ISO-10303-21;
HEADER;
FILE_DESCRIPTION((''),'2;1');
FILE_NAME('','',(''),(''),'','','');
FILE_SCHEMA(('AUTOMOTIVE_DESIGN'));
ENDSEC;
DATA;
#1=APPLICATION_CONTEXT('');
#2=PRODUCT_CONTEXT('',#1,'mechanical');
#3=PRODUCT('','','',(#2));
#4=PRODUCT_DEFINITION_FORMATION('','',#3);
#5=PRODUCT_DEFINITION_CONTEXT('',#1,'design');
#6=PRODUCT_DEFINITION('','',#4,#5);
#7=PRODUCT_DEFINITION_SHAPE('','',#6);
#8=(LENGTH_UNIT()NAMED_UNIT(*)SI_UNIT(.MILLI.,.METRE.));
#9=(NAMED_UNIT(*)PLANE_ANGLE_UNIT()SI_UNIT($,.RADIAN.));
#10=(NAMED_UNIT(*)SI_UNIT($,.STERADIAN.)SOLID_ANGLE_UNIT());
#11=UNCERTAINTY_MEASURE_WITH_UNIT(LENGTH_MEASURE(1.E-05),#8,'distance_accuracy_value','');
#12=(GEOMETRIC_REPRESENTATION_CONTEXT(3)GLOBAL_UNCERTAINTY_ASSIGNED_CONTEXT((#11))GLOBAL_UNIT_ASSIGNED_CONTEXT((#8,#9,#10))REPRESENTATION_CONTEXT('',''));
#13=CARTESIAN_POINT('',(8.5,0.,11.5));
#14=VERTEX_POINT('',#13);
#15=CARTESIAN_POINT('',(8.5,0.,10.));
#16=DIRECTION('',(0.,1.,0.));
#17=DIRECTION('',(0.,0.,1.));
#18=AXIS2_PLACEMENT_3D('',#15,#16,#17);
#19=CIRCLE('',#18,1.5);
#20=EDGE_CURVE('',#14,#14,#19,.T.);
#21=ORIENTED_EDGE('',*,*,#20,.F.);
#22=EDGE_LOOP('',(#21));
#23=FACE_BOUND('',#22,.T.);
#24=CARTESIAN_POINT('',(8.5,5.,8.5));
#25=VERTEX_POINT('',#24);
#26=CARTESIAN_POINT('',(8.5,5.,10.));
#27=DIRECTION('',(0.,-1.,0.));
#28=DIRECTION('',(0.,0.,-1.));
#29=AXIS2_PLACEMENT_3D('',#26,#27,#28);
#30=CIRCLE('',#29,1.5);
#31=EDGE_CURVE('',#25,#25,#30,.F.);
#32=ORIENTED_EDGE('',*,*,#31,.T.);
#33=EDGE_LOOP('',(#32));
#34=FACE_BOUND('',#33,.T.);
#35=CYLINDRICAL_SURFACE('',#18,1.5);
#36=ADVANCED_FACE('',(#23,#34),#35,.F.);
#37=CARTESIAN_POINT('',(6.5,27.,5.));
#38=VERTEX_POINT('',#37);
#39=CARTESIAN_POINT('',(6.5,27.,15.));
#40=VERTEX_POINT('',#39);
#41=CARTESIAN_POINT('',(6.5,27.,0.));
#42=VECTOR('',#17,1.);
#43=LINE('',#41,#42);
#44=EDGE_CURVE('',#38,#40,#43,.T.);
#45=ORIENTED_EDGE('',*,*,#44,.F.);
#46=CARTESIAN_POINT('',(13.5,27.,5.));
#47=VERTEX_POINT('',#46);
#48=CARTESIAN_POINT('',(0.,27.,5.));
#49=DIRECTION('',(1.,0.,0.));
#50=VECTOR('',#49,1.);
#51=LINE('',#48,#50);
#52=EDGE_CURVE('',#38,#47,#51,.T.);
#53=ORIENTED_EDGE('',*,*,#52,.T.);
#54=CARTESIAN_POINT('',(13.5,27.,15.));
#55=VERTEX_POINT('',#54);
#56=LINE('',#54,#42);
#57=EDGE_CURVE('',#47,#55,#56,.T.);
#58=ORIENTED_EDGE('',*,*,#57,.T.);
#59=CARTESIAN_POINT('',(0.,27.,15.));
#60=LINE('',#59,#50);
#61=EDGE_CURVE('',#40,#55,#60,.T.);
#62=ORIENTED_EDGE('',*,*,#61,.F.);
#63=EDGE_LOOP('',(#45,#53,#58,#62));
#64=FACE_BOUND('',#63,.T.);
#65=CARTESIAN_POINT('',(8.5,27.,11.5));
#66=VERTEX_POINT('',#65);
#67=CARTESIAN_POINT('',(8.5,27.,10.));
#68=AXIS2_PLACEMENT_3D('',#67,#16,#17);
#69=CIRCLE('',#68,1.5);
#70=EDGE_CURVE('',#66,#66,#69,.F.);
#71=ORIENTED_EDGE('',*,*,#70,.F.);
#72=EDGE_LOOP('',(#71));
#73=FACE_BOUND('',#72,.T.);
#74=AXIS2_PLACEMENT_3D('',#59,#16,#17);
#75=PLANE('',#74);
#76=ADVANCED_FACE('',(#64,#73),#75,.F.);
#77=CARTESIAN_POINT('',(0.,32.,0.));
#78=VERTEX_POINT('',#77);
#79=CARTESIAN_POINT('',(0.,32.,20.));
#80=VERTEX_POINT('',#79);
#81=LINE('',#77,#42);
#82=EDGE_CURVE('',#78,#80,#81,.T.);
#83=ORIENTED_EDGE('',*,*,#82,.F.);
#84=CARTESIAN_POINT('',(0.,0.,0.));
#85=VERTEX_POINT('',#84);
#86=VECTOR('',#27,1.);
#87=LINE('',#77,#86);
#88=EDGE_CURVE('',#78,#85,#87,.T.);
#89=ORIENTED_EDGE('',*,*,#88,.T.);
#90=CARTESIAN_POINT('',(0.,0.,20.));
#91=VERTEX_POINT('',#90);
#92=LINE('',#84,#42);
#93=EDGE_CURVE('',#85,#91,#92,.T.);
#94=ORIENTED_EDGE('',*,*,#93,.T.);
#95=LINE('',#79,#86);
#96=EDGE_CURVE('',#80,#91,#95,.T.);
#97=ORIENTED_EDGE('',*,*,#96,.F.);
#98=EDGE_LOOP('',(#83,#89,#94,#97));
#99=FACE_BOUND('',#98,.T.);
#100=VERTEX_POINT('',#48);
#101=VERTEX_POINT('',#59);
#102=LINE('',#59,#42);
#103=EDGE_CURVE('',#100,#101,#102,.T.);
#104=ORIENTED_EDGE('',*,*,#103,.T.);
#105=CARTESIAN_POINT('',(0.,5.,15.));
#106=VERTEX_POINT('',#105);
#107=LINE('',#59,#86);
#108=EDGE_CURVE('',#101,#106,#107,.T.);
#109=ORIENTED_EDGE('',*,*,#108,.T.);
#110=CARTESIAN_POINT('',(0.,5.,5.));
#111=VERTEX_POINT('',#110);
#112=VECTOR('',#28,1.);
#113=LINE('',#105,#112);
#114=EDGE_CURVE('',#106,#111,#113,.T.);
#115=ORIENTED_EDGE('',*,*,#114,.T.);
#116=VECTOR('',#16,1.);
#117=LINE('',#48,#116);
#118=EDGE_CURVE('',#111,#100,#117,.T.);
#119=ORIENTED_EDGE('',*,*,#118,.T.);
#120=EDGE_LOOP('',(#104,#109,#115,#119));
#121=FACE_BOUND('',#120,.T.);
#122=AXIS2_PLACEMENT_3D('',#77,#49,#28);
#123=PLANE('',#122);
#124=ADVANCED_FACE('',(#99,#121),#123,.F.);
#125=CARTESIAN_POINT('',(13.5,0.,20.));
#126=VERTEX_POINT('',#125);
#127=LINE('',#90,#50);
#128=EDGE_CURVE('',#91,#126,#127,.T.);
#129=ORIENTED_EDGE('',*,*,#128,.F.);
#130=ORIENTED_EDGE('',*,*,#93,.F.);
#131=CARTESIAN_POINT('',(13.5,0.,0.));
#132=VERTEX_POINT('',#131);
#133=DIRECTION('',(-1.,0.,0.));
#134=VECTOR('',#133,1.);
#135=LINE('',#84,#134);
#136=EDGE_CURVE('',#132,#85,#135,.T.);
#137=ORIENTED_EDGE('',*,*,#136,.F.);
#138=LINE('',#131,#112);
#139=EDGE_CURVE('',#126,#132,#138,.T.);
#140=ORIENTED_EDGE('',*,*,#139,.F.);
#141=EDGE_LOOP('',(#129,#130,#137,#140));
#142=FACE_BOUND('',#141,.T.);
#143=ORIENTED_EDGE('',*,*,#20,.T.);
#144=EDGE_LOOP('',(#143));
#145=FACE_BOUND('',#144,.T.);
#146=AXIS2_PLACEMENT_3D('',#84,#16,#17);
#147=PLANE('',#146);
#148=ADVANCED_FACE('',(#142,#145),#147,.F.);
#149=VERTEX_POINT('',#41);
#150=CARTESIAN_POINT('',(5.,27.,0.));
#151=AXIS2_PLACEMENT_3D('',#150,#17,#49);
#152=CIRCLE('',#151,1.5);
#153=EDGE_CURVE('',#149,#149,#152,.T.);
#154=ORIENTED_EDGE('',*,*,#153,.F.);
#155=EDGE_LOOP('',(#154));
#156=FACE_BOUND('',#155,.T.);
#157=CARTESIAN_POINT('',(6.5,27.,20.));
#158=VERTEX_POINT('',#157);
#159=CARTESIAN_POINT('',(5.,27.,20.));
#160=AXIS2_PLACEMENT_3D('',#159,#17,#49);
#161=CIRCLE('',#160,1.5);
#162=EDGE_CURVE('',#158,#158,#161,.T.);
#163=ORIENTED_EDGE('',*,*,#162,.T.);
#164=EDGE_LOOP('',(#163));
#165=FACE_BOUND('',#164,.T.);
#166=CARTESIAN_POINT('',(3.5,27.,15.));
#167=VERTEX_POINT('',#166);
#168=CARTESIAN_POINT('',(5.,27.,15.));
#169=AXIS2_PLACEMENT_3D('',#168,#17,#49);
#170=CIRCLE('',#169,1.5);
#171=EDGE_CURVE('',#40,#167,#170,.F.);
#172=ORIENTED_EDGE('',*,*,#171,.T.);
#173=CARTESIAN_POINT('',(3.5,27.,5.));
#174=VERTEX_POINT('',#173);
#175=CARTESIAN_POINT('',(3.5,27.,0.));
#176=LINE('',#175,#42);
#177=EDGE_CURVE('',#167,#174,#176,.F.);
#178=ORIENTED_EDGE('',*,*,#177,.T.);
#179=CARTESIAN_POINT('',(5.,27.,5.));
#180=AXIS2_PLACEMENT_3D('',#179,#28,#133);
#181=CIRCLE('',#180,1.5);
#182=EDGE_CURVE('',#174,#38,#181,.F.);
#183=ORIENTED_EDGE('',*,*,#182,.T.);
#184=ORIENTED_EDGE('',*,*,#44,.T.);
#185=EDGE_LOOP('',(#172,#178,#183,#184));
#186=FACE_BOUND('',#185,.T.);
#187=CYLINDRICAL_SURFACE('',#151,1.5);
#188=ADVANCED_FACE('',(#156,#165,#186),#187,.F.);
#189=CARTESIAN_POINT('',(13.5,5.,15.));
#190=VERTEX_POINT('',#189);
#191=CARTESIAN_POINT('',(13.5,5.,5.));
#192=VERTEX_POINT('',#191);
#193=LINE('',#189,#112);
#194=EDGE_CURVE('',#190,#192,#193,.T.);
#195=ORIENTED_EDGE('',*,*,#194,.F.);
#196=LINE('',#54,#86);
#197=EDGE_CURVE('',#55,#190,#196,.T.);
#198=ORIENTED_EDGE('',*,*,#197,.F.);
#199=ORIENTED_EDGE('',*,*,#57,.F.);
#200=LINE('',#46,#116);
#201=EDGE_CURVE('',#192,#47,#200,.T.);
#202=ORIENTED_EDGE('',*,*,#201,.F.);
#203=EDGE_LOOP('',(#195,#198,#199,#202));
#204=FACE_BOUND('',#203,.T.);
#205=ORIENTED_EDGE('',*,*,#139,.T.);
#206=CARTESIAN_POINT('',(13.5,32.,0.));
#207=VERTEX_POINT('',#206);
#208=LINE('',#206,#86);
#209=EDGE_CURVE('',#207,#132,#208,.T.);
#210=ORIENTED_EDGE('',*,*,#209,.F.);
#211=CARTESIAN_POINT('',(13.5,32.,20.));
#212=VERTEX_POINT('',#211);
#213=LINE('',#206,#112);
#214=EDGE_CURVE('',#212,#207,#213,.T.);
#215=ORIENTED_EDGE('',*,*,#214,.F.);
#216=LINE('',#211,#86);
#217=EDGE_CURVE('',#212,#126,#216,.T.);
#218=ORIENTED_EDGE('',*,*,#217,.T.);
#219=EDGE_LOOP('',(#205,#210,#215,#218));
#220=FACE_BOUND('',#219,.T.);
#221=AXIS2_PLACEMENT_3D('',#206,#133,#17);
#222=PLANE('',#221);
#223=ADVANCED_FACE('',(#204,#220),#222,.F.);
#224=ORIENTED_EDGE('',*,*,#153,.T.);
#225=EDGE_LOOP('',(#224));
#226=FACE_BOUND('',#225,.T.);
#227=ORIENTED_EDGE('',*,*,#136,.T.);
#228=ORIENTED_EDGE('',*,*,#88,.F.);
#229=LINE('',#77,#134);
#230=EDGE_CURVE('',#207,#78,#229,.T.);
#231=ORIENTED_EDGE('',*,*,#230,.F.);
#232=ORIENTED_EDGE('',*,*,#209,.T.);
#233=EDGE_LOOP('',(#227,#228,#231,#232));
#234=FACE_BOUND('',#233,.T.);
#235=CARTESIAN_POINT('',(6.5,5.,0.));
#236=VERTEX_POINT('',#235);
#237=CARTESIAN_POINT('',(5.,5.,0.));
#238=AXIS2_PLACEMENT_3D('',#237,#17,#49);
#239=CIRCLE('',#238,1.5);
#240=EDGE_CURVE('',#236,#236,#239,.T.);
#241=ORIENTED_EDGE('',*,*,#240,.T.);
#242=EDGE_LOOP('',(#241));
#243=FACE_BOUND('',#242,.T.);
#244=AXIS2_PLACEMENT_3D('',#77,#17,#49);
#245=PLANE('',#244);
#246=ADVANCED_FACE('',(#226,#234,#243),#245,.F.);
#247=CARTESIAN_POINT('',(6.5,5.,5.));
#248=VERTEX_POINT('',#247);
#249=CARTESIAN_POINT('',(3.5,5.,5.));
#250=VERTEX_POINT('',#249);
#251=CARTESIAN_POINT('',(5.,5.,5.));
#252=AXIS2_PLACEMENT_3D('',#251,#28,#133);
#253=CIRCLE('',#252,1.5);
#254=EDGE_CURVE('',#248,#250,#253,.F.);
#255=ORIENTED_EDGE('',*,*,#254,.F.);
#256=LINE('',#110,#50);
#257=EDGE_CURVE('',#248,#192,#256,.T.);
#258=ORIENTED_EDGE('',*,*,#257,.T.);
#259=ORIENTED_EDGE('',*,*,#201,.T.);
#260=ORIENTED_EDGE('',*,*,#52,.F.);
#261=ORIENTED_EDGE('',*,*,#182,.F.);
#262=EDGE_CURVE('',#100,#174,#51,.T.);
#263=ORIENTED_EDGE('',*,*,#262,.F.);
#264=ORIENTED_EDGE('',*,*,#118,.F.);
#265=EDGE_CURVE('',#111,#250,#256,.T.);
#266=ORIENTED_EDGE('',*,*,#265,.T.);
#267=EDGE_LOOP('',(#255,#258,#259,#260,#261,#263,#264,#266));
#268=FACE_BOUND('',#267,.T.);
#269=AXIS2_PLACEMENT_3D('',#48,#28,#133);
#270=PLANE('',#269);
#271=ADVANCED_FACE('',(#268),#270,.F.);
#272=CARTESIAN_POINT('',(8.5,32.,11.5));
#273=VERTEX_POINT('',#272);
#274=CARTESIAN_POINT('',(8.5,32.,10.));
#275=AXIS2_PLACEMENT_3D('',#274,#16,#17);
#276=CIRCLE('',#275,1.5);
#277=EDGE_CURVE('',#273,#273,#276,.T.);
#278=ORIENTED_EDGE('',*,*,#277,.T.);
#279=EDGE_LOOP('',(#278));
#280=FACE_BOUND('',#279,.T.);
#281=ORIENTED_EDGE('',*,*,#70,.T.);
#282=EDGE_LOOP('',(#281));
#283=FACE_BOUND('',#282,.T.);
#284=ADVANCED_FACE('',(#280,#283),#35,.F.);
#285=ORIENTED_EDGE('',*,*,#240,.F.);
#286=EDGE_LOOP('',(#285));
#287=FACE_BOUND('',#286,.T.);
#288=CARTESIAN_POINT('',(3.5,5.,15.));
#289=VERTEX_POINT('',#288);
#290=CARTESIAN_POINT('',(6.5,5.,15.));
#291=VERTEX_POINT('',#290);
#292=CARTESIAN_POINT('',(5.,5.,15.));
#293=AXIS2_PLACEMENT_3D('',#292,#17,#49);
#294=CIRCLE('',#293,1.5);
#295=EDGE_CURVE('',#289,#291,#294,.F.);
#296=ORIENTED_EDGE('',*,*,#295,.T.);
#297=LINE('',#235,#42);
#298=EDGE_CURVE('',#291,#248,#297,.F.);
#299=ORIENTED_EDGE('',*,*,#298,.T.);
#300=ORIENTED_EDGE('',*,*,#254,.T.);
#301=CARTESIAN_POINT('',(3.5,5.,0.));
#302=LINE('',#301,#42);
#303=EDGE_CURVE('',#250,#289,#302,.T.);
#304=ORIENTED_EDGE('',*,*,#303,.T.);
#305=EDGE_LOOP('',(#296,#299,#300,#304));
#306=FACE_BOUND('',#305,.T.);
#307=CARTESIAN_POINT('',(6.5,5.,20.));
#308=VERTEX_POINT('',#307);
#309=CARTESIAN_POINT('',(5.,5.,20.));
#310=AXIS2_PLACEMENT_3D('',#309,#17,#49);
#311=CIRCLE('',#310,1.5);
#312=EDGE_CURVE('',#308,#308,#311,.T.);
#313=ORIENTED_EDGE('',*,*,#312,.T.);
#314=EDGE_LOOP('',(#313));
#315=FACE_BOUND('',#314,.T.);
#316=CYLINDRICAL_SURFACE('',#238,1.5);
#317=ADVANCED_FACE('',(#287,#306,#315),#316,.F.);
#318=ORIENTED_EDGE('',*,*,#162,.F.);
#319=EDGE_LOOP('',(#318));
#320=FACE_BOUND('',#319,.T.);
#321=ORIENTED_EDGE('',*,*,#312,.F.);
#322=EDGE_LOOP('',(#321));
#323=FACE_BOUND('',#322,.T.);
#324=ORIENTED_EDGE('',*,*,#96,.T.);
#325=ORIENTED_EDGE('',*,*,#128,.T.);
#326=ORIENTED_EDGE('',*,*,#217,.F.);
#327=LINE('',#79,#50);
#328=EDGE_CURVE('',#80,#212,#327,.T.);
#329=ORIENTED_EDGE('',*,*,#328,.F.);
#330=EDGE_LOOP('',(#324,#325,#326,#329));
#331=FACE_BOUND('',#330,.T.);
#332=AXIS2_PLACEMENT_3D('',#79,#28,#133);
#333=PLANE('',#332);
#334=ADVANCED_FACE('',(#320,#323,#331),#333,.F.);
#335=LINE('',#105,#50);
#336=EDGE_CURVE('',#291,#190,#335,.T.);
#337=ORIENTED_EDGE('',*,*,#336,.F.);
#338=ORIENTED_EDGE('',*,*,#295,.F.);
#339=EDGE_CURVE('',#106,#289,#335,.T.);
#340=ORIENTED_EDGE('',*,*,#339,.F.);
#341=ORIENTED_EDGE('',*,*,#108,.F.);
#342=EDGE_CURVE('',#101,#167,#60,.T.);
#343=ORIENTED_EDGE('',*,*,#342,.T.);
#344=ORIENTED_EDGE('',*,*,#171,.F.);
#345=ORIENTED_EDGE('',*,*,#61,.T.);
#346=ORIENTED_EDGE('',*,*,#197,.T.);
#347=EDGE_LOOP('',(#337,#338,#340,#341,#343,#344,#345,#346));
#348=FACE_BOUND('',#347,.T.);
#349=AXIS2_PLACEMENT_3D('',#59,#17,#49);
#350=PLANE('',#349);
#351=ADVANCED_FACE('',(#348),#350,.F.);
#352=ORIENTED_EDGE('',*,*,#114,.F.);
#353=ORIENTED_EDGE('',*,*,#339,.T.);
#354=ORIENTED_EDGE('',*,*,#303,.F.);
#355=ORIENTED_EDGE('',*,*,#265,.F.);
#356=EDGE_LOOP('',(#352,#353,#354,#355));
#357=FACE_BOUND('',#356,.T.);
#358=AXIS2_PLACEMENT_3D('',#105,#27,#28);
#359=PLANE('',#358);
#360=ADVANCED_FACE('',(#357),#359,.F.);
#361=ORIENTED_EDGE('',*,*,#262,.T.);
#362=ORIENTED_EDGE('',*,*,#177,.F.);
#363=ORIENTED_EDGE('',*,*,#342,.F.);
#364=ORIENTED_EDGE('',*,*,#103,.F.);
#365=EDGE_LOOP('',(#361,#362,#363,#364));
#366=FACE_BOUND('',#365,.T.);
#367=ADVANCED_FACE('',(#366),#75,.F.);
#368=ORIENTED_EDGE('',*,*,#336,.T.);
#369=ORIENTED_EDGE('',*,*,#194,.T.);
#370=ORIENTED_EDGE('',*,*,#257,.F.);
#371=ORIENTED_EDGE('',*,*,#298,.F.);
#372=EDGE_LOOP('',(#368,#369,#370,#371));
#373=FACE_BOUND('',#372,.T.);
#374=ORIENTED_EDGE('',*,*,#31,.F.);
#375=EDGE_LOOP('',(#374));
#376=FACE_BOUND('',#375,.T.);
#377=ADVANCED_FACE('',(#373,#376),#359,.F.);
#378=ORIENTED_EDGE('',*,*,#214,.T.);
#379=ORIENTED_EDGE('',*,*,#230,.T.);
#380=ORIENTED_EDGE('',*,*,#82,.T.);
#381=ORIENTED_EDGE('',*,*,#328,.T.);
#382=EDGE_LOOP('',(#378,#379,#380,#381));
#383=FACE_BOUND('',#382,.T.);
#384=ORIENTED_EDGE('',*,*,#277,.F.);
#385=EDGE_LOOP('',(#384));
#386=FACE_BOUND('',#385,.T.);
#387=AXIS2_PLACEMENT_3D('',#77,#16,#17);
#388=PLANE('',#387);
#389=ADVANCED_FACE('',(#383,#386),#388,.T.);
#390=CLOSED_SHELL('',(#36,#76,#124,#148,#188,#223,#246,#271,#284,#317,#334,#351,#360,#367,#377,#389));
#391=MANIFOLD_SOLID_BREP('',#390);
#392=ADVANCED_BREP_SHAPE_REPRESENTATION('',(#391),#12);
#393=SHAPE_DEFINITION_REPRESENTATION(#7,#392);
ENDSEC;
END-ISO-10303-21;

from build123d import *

# Parameters (mm, degrees)
SKETCH1_W           = 13.5
SKETCH1_H           = 20
BOSS_EXTRUDE1_DEPTH = 32
SKETCH2_R           = 1.5
CUT_EXTRUDE1_DEPTH  = 41.078048855
SKETCH3_R           = 1.5
CUT_EXTRUDE2_DEPTH  = 41.078048855
SKETCH4_W           = 10
SKETCH4_H           = 22
CUT_EXTRUDE3_DEPTH  = 41.078048855


with BuildPart() as part:
    # Sketch1 → Boss-Extrude1 (new body)
    with BuildSketch(Plane(origin=(0, 0, 0), x_dir=(1, 0, 0), z_dir=(0, 1, 0))):
        with Locations((6.75, -10)):
            Rectangle(SKETCH1_W, SKETCH1_H)
    extrude(amount=BOSS_EXTRUDE1_DEPTH)

    # Sketch2 → Cut-Extrude1 (cut, through all)
    with BuildSketch(Plane.XY.offset(20)):
        with Locations((5, 27)):
            Circle(SKETCH2_R)
        with Locations((5, 5)):
            Circle(SKETCH2_R)
    extrude(amount=-CUT_EXTRUDE1_DEPTH, mode=Mode.SUBTRACT)

    # Sketch3 → Cut-Extrude2 (cut, through all)
    with BuildSketch(Plane(origin=(0, 32, 0), x_dir=(1, 0, 0), z_dir=(0, 1, 0))):
        with Locations(Location((8.5, -10, 0), (0, 0, 270))):
            Circle(SKETCH3_R)
    extrude(amount=-CUT_EXTRUDE2_DEPTH, mode=Mode.SUBTRACT)

    # Sketch4 → Cut-Extrude3 (cut, through all)
    with BuildSketch(Plane(origin=(13.5, 0, 0), x_dir=(0, 0, -1), z_dir=(1, 0, 0))):
        with Locations((-10, 16)):
            Rectangle(SKETCH4_W, SKETCH4_H)
    extrude(amount=-CUT_EXTRUDE3_DEPTH, mode=Mode.SUBTRACT)


solid = part.part
